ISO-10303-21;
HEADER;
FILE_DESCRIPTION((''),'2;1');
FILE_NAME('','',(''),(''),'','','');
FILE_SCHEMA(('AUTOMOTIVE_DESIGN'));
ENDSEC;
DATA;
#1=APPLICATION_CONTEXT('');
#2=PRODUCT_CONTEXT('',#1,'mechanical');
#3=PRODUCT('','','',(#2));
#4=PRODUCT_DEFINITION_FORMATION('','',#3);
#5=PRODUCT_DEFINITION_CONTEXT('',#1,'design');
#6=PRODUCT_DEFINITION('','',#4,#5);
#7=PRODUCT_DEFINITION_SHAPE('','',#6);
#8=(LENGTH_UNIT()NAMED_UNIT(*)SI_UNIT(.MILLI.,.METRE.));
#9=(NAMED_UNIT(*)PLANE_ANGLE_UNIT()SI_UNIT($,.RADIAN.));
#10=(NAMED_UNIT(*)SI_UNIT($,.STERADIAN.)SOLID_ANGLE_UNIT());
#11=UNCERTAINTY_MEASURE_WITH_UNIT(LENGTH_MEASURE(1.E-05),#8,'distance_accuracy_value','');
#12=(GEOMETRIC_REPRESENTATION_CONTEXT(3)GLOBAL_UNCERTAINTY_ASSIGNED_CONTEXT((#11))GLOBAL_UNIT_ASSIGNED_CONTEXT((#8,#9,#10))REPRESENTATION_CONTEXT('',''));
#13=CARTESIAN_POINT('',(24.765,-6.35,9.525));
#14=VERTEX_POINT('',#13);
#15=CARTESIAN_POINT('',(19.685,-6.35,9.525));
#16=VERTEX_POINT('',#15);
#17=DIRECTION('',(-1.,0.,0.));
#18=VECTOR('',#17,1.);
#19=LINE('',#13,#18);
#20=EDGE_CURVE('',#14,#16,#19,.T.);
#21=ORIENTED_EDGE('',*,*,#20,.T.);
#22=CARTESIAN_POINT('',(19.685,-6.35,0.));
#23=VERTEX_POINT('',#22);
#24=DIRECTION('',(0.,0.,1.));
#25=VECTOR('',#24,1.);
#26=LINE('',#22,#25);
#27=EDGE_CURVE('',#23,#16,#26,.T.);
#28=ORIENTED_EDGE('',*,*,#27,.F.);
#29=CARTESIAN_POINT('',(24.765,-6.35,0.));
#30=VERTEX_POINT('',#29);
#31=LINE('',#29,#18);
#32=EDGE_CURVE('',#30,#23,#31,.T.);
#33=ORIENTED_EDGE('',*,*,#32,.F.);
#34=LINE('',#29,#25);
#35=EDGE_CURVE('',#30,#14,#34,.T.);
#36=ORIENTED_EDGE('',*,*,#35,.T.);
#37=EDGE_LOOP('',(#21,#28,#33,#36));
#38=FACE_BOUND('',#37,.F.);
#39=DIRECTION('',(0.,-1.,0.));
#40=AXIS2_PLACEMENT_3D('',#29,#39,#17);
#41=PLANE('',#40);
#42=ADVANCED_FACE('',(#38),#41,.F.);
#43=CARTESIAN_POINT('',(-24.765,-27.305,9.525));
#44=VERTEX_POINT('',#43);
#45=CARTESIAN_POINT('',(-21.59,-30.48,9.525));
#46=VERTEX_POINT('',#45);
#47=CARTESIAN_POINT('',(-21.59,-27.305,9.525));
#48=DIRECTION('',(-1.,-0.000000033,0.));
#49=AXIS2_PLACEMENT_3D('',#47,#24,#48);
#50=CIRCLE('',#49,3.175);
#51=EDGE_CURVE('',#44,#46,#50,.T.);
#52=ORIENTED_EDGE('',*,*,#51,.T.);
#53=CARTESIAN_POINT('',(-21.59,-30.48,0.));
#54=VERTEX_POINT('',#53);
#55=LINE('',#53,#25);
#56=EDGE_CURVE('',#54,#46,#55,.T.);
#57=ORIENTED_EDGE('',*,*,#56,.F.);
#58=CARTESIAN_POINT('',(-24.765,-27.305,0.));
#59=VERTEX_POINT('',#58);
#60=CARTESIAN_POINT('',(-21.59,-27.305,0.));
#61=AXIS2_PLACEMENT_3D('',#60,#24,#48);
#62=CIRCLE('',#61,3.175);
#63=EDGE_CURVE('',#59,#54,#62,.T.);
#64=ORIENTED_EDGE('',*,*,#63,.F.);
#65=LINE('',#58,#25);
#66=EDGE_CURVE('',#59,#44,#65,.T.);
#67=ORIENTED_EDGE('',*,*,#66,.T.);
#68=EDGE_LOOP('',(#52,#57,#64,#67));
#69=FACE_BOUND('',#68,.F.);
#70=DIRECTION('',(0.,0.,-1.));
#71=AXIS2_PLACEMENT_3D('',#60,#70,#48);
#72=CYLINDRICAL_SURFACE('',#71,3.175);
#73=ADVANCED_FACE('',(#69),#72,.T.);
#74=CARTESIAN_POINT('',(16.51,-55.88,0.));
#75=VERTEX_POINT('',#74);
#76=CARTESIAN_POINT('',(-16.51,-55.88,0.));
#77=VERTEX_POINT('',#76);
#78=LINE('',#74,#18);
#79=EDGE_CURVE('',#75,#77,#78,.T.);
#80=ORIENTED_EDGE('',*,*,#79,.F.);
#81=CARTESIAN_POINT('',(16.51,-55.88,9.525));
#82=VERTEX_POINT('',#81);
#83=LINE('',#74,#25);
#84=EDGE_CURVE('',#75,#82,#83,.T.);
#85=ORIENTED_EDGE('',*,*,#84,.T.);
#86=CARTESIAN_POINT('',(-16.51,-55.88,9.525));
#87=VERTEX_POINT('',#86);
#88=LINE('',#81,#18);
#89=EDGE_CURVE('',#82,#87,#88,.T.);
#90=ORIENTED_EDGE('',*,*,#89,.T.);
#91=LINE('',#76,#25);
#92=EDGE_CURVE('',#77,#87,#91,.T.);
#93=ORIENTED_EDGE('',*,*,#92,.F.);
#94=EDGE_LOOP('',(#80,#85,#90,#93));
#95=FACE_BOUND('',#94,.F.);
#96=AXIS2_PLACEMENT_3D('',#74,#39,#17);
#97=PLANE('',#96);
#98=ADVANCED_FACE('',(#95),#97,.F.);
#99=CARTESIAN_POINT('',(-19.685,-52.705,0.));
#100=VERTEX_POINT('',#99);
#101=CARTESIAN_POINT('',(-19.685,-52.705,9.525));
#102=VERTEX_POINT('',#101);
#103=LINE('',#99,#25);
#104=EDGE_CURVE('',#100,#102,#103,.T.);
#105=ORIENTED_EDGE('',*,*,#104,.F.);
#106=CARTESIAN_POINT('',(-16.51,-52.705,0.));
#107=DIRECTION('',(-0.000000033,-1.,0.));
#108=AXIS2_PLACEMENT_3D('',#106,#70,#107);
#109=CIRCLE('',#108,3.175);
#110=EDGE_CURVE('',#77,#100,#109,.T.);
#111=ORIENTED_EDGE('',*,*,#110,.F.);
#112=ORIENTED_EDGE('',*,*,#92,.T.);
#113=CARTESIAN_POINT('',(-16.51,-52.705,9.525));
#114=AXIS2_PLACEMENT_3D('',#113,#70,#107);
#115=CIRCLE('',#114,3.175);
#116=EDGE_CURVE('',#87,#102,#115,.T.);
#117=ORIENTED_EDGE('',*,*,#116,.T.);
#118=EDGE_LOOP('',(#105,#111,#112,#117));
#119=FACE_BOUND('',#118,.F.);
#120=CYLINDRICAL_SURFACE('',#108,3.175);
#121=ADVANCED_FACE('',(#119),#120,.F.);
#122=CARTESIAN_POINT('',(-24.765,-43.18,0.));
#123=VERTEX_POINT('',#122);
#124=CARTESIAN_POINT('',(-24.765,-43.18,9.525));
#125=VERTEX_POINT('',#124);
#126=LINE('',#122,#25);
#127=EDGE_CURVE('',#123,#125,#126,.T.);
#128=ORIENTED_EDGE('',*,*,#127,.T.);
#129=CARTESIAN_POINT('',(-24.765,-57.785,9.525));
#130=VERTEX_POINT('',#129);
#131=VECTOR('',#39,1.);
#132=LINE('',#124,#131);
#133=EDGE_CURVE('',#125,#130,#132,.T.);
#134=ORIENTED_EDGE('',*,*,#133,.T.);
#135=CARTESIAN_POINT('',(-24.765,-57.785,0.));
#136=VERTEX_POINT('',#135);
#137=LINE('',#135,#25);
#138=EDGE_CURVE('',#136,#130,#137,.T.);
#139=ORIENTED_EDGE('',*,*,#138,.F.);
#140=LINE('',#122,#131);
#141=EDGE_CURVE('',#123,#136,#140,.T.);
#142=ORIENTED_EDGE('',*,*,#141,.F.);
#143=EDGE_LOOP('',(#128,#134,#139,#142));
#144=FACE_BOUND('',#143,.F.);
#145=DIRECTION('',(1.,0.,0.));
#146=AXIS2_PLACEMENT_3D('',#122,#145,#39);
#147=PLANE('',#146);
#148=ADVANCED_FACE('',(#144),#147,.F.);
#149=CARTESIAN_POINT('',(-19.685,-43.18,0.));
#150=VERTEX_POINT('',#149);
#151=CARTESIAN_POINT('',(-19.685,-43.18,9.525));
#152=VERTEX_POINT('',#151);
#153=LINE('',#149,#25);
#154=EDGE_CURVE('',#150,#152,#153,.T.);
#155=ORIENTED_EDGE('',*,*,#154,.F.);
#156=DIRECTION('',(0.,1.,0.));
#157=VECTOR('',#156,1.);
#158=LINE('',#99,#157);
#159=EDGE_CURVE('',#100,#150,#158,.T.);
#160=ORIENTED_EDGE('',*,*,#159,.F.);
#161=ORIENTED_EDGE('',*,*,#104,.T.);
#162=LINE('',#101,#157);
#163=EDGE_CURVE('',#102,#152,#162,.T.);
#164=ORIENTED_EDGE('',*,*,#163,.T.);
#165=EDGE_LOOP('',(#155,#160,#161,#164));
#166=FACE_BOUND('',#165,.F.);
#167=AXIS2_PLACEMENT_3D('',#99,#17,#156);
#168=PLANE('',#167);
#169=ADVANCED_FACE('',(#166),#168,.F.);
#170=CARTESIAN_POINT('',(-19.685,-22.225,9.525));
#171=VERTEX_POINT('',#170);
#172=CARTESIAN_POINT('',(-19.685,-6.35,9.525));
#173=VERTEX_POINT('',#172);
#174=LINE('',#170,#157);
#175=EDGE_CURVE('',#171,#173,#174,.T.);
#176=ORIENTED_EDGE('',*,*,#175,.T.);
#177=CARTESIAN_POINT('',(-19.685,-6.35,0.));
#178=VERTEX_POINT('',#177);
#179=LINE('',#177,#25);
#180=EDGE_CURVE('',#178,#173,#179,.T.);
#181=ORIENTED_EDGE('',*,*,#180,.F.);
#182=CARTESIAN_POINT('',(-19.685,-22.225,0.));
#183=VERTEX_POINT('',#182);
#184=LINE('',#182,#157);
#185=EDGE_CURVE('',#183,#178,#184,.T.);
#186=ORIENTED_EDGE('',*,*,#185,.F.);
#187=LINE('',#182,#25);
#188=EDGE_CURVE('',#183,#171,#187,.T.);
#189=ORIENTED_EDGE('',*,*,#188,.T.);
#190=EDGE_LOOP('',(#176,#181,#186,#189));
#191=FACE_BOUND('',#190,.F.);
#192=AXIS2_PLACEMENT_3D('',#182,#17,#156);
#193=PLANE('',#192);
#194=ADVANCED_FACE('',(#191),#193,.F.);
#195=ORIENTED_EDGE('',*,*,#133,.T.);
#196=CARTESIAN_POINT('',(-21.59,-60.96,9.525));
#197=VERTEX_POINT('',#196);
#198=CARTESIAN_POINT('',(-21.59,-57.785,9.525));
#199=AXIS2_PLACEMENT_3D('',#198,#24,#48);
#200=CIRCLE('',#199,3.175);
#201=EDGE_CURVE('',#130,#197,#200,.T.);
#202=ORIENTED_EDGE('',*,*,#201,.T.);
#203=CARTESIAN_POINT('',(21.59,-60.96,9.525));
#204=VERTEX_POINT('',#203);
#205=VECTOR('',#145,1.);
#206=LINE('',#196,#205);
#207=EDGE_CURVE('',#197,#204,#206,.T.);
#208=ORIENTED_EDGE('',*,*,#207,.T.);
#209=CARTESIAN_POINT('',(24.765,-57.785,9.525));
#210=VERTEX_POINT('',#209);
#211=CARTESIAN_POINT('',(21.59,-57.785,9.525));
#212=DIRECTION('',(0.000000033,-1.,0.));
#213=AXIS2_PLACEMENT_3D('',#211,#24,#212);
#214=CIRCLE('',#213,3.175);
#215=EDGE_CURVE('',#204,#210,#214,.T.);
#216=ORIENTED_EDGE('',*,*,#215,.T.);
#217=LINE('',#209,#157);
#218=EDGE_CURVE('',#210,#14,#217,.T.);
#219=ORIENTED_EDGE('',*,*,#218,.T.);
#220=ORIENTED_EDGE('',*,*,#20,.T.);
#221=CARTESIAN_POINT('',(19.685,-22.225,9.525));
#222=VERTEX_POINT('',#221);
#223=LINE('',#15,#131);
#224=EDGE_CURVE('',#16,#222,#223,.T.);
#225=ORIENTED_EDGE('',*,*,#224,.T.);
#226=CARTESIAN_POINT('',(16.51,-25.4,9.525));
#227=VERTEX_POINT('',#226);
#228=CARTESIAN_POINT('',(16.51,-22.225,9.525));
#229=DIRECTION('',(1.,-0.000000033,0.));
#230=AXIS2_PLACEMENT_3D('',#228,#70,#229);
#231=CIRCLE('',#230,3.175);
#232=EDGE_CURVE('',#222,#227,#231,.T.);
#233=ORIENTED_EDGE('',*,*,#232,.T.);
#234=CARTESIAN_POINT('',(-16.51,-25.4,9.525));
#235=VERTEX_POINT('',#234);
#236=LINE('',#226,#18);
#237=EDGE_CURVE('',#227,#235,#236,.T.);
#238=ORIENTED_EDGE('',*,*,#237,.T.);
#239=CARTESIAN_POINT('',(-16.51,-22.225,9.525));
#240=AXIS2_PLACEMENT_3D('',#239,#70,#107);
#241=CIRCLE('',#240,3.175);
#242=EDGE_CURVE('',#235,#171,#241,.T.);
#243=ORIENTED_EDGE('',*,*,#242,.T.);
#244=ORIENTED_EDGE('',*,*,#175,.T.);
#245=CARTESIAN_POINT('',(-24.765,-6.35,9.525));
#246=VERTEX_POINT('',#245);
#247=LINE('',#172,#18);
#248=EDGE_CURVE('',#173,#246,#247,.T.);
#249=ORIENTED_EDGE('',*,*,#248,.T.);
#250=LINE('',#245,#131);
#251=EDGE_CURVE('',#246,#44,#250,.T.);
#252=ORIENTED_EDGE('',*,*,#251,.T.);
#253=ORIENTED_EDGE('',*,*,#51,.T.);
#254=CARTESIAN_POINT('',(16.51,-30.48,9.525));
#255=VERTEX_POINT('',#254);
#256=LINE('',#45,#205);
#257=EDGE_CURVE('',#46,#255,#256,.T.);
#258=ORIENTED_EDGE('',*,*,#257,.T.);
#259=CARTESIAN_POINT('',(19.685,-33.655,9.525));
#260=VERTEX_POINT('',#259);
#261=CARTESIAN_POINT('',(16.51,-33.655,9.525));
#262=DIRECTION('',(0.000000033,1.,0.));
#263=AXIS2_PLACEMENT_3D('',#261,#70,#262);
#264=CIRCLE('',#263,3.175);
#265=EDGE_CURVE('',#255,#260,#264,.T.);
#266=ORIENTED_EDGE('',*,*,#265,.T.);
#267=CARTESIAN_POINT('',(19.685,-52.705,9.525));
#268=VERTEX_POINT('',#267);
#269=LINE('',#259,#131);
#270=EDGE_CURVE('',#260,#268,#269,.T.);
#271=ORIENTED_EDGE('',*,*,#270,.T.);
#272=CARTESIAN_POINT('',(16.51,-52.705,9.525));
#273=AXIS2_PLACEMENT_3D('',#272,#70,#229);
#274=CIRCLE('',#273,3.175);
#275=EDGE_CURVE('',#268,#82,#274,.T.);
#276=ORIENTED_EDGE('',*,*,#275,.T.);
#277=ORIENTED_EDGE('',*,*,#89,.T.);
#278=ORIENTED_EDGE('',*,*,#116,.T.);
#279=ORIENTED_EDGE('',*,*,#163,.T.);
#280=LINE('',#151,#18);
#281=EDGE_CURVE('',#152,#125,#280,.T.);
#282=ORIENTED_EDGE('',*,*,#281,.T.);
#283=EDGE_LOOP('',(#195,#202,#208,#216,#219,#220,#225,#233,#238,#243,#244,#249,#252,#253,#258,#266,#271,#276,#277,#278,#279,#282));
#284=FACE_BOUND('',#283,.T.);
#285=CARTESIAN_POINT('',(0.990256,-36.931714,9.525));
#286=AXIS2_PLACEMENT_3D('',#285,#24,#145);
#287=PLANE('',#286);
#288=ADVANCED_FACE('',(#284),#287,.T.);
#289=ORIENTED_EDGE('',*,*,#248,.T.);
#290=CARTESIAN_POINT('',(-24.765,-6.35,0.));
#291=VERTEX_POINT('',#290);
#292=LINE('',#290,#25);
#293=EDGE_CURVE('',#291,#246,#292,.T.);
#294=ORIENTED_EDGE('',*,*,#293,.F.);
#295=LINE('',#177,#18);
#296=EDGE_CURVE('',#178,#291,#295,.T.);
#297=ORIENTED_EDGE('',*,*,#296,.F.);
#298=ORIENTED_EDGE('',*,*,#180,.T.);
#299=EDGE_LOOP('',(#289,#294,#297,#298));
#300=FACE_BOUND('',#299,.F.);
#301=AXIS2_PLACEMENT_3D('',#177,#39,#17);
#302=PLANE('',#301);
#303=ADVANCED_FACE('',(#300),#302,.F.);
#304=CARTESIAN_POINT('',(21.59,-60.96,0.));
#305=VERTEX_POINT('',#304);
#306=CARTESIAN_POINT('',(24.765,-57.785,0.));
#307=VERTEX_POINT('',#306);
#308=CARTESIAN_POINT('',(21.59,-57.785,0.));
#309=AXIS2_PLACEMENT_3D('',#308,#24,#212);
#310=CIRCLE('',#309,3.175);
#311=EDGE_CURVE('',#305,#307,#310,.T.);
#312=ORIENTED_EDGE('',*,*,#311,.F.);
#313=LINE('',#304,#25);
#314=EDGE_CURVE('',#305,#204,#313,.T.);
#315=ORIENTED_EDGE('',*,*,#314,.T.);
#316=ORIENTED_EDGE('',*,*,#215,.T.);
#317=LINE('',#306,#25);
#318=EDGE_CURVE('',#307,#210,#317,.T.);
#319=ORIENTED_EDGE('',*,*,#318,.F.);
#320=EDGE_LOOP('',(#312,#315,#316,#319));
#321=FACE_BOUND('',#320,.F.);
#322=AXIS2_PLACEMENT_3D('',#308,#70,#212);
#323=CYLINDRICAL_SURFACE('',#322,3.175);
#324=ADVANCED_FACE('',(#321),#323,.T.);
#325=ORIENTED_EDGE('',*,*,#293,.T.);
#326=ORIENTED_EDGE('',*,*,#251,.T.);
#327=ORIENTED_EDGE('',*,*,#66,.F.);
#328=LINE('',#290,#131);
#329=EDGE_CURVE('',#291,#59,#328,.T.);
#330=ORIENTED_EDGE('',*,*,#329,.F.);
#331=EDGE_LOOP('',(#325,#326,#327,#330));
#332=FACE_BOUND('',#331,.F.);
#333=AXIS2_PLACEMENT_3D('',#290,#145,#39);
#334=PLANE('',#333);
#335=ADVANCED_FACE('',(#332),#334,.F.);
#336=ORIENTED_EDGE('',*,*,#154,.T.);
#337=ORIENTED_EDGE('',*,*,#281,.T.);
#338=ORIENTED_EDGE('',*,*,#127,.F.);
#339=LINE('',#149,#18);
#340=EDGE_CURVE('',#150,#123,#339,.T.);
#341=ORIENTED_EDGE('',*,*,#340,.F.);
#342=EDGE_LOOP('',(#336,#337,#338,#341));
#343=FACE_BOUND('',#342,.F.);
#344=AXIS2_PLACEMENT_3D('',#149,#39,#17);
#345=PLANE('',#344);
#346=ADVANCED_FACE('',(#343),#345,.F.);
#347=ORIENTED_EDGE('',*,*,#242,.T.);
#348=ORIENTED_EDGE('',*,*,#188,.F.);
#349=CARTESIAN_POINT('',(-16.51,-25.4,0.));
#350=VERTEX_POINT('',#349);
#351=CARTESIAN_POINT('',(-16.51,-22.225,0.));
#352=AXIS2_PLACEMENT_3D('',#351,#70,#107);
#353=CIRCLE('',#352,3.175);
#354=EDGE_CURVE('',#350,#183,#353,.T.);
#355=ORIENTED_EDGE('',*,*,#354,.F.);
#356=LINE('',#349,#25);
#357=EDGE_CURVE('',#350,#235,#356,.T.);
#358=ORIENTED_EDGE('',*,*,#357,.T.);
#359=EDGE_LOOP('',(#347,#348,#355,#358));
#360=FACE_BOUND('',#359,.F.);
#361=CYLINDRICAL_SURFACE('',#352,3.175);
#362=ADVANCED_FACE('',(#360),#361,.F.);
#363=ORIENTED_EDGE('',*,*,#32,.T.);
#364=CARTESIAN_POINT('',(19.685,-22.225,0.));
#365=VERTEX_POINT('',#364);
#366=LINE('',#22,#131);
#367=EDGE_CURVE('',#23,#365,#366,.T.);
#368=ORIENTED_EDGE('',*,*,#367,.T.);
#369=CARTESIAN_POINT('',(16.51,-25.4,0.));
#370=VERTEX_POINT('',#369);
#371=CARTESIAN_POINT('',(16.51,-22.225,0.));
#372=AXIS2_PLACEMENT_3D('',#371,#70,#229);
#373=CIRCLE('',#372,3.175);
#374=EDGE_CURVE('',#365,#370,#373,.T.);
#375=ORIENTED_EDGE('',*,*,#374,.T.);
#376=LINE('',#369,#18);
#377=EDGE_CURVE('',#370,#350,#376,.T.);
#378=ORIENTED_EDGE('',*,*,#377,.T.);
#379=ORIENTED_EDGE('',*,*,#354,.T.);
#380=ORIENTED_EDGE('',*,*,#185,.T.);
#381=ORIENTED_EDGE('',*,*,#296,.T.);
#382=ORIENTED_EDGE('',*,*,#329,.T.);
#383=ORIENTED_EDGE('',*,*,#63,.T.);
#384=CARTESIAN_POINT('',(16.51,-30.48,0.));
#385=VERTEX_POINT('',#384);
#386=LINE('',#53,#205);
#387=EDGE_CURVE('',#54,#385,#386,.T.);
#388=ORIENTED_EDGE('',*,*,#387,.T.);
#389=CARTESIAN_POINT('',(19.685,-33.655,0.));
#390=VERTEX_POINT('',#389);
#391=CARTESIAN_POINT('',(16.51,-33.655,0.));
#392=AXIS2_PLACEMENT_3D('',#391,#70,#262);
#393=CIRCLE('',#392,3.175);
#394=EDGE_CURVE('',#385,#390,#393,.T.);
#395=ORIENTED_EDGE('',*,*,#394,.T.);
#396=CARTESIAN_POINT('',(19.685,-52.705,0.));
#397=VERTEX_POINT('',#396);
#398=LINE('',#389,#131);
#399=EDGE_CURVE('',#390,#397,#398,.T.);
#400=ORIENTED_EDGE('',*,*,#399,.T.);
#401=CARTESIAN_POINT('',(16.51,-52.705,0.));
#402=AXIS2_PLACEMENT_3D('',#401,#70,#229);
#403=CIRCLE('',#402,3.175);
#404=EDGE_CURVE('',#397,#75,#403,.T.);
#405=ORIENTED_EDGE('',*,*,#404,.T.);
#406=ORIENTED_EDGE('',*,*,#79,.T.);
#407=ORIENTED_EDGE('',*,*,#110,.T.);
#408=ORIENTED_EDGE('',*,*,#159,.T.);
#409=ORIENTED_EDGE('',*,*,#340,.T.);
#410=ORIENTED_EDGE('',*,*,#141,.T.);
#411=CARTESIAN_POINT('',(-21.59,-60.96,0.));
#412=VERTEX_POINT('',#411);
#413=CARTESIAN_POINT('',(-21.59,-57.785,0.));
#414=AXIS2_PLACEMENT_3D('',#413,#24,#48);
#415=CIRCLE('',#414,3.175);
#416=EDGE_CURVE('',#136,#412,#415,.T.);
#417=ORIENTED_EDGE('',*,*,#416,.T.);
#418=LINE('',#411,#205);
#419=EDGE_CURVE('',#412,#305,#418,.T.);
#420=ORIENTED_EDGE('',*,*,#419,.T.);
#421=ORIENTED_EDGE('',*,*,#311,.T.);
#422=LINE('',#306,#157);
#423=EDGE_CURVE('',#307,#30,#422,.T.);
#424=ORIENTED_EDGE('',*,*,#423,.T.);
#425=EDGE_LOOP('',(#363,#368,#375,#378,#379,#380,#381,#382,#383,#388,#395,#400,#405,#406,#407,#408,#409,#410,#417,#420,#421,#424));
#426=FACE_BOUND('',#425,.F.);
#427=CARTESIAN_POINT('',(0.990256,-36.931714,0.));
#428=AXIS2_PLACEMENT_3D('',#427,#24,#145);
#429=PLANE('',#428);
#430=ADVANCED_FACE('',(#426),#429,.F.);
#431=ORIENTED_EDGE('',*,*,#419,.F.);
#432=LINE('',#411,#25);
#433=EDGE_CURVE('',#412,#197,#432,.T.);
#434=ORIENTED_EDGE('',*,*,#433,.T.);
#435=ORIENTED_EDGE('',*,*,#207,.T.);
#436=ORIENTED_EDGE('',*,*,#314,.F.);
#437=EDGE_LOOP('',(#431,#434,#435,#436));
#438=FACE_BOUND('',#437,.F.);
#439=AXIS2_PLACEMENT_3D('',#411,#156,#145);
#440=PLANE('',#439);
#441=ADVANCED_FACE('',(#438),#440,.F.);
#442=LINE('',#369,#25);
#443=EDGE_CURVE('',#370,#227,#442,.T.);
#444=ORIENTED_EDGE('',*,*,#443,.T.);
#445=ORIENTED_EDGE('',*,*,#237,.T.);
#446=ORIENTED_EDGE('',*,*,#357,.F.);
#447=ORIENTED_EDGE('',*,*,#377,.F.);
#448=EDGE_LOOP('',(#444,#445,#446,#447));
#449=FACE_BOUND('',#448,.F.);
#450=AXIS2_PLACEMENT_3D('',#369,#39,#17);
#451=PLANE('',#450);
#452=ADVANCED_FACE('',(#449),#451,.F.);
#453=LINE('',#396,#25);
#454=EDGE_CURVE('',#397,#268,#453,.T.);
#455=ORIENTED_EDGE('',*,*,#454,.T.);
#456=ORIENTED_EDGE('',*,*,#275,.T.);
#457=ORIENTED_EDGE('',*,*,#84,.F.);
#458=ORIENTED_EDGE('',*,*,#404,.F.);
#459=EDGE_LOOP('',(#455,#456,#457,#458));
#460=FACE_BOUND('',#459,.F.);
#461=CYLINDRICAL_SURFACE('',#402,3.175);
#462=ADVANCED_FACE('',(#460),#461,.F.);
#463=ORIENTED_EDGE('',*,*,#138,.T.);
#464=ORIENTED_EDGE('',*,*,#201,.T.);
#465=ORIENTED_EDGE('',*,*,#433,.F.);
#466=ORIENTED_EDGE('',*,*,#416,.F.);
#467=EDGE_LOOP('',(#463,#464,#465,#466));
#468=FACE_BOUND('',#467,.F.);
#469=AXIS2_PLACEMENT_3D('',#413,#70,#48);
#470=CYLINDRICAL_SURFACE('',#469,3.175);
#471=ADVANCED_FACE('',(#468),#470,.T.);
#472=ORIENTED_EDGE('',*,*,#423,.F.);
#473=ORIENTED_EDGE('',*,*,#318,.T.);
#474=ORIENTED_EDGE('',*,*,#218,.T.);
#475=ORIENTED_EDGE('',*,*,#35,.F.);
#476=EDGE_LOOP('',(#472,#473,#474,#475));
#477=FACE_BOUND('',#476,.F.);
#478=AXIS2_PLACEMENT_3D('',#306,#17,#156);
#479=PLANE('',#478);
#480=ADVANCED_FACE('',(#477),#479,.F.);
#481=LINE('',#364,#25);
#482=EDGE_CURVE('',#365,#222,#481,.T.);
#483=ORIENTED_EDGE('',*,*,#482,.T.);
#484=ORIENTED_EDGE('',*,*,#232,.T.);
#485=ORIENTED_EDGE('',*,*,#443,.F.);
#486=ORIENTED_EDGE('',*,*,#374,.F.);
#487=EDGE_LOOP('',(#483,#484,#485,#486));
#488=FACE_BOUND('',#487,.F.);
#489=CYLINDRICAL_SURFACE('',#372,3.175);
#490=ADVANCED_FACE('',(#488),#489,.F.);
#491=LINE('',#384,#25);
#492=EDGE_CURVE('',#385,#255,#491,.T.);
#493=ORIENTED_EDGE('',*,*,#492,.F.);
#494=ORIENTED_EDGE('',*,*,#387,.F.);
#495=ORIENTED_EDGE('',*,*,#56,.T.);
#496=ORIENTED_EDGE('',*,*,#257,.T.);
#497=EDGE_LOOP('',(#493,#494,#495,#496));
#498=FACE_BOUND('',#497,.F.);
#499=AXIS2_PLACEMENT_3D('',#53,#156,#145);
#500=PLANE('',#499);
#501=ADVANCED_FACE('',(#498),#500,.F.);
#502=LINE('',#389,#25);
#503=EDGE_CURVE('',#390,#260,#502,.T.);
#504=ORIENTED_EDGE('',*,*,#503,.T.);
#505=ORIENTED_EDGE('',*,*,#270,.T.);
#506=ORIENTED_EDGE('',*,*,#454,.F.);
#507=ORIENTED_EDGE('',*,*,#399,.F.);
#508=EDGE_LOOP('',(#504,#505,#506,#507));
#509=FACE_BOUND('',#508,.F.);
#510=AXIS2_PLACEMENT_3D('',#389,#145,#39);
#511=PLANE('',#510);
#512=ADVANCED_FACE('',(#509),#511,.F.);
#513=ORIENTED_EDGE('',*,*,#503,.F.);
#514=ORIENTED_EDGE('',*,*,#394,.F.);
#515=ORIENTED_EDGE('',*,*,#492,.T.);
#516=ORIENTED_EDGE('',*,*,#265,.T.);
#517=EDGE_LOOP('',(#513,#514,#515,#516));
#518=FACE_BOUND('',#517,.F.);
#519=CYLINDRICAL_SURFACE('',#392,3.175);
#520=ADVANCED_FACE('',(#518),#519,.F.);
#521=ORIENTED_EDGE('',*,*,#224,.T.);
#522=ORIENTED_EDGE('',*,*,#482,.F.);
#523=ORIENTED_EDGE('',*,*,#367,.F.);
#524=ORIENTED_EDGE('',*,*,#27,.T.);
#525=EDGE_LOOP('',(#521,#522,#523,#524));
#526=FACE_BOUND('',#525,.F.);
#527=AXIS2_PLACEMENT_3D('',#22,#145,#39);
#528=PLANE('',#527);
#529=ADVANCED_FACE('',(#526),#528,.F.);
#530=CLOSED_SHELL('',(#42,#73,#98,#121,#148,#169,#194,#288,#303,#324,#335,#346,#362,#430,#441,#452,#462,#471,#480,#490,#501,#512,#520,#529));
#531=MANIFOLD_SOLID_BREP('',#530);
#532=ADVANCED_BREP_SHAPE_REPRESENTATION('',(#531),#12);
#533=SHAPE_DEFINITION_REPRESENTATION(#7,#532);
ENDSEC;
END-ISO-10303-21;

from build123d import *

# Parameters (mm, degrees)
F1_DEPTH = 9.525


with BuildPart() as f1:
    # F0 (on Top) → F1 (new body)
    with BuildSketch(Plane.XY):
        with BuildLine():
            ThreePointArc((19.685, -22.225), (18.755064, -24.470064), (16.51, -25.4))
            Line((16.51, -25.4), (-16.51, -25.4))
            ThreePointArc((-16.51, -25.4), (-18.755064, -24.470064), (-19.685, -22.225))
            Line((-19.685, -22.225), (-19.685, -6.35))
            Line((-19.685, -6.35), (-24.765, -6.35))
            Line((-24.765, -6.35), (-24.765, -27.305))
            ThreePointArc((-24.765, -27.305), (-23.835064, -29.550064), (-21.59, -30.48))
            Line((-21.59, -30.48), (16.51, -30.48))
            ThreePointArc((16.51, -30.48), (18.755064, -31.409936), (19.685, -33.655))
            Line((19.685, -33.655), (19.685, -52.705))
            ThreePointArc((19.685, -52.705), (18.755064, -54.950064), (16.51, -55.88))
            Line((16.51, -55.88), (-16.51, -55.88))
            ThreePointArc((-16.51, -55.88), (-18.755064, -54.950064), (-19.685, -52.705))
            Line((-19.685, -52.705), (-19.685, -43.18))
            Line((-19.685, -43.18), (-24.765, -43.18))
            Line((-24.765, -43.18), (-24.765, -55.88))
            Line((-24.765, -55.88), (-24.765, -57.785))
            ThreePointArc((-24.765, -57.785), (-23.835064, -60.030064), (-21.59, -60.96))
            Line((-21.59, -60.96), (21.59, -60.96))
            ThreePointArc((21.59, -60.96), (23.835064, -60.030064), (24.765, -57.785))
            Line((24.765, -57.785), (24.765, -6.35))
            Line((24.765, -6.35), (19.685, -6.35))
            Line((19.685, -6.35), (19.685, -22.225))
        make_face()
    extrude(amount=F1_DEPTH)


solid = f1.part
